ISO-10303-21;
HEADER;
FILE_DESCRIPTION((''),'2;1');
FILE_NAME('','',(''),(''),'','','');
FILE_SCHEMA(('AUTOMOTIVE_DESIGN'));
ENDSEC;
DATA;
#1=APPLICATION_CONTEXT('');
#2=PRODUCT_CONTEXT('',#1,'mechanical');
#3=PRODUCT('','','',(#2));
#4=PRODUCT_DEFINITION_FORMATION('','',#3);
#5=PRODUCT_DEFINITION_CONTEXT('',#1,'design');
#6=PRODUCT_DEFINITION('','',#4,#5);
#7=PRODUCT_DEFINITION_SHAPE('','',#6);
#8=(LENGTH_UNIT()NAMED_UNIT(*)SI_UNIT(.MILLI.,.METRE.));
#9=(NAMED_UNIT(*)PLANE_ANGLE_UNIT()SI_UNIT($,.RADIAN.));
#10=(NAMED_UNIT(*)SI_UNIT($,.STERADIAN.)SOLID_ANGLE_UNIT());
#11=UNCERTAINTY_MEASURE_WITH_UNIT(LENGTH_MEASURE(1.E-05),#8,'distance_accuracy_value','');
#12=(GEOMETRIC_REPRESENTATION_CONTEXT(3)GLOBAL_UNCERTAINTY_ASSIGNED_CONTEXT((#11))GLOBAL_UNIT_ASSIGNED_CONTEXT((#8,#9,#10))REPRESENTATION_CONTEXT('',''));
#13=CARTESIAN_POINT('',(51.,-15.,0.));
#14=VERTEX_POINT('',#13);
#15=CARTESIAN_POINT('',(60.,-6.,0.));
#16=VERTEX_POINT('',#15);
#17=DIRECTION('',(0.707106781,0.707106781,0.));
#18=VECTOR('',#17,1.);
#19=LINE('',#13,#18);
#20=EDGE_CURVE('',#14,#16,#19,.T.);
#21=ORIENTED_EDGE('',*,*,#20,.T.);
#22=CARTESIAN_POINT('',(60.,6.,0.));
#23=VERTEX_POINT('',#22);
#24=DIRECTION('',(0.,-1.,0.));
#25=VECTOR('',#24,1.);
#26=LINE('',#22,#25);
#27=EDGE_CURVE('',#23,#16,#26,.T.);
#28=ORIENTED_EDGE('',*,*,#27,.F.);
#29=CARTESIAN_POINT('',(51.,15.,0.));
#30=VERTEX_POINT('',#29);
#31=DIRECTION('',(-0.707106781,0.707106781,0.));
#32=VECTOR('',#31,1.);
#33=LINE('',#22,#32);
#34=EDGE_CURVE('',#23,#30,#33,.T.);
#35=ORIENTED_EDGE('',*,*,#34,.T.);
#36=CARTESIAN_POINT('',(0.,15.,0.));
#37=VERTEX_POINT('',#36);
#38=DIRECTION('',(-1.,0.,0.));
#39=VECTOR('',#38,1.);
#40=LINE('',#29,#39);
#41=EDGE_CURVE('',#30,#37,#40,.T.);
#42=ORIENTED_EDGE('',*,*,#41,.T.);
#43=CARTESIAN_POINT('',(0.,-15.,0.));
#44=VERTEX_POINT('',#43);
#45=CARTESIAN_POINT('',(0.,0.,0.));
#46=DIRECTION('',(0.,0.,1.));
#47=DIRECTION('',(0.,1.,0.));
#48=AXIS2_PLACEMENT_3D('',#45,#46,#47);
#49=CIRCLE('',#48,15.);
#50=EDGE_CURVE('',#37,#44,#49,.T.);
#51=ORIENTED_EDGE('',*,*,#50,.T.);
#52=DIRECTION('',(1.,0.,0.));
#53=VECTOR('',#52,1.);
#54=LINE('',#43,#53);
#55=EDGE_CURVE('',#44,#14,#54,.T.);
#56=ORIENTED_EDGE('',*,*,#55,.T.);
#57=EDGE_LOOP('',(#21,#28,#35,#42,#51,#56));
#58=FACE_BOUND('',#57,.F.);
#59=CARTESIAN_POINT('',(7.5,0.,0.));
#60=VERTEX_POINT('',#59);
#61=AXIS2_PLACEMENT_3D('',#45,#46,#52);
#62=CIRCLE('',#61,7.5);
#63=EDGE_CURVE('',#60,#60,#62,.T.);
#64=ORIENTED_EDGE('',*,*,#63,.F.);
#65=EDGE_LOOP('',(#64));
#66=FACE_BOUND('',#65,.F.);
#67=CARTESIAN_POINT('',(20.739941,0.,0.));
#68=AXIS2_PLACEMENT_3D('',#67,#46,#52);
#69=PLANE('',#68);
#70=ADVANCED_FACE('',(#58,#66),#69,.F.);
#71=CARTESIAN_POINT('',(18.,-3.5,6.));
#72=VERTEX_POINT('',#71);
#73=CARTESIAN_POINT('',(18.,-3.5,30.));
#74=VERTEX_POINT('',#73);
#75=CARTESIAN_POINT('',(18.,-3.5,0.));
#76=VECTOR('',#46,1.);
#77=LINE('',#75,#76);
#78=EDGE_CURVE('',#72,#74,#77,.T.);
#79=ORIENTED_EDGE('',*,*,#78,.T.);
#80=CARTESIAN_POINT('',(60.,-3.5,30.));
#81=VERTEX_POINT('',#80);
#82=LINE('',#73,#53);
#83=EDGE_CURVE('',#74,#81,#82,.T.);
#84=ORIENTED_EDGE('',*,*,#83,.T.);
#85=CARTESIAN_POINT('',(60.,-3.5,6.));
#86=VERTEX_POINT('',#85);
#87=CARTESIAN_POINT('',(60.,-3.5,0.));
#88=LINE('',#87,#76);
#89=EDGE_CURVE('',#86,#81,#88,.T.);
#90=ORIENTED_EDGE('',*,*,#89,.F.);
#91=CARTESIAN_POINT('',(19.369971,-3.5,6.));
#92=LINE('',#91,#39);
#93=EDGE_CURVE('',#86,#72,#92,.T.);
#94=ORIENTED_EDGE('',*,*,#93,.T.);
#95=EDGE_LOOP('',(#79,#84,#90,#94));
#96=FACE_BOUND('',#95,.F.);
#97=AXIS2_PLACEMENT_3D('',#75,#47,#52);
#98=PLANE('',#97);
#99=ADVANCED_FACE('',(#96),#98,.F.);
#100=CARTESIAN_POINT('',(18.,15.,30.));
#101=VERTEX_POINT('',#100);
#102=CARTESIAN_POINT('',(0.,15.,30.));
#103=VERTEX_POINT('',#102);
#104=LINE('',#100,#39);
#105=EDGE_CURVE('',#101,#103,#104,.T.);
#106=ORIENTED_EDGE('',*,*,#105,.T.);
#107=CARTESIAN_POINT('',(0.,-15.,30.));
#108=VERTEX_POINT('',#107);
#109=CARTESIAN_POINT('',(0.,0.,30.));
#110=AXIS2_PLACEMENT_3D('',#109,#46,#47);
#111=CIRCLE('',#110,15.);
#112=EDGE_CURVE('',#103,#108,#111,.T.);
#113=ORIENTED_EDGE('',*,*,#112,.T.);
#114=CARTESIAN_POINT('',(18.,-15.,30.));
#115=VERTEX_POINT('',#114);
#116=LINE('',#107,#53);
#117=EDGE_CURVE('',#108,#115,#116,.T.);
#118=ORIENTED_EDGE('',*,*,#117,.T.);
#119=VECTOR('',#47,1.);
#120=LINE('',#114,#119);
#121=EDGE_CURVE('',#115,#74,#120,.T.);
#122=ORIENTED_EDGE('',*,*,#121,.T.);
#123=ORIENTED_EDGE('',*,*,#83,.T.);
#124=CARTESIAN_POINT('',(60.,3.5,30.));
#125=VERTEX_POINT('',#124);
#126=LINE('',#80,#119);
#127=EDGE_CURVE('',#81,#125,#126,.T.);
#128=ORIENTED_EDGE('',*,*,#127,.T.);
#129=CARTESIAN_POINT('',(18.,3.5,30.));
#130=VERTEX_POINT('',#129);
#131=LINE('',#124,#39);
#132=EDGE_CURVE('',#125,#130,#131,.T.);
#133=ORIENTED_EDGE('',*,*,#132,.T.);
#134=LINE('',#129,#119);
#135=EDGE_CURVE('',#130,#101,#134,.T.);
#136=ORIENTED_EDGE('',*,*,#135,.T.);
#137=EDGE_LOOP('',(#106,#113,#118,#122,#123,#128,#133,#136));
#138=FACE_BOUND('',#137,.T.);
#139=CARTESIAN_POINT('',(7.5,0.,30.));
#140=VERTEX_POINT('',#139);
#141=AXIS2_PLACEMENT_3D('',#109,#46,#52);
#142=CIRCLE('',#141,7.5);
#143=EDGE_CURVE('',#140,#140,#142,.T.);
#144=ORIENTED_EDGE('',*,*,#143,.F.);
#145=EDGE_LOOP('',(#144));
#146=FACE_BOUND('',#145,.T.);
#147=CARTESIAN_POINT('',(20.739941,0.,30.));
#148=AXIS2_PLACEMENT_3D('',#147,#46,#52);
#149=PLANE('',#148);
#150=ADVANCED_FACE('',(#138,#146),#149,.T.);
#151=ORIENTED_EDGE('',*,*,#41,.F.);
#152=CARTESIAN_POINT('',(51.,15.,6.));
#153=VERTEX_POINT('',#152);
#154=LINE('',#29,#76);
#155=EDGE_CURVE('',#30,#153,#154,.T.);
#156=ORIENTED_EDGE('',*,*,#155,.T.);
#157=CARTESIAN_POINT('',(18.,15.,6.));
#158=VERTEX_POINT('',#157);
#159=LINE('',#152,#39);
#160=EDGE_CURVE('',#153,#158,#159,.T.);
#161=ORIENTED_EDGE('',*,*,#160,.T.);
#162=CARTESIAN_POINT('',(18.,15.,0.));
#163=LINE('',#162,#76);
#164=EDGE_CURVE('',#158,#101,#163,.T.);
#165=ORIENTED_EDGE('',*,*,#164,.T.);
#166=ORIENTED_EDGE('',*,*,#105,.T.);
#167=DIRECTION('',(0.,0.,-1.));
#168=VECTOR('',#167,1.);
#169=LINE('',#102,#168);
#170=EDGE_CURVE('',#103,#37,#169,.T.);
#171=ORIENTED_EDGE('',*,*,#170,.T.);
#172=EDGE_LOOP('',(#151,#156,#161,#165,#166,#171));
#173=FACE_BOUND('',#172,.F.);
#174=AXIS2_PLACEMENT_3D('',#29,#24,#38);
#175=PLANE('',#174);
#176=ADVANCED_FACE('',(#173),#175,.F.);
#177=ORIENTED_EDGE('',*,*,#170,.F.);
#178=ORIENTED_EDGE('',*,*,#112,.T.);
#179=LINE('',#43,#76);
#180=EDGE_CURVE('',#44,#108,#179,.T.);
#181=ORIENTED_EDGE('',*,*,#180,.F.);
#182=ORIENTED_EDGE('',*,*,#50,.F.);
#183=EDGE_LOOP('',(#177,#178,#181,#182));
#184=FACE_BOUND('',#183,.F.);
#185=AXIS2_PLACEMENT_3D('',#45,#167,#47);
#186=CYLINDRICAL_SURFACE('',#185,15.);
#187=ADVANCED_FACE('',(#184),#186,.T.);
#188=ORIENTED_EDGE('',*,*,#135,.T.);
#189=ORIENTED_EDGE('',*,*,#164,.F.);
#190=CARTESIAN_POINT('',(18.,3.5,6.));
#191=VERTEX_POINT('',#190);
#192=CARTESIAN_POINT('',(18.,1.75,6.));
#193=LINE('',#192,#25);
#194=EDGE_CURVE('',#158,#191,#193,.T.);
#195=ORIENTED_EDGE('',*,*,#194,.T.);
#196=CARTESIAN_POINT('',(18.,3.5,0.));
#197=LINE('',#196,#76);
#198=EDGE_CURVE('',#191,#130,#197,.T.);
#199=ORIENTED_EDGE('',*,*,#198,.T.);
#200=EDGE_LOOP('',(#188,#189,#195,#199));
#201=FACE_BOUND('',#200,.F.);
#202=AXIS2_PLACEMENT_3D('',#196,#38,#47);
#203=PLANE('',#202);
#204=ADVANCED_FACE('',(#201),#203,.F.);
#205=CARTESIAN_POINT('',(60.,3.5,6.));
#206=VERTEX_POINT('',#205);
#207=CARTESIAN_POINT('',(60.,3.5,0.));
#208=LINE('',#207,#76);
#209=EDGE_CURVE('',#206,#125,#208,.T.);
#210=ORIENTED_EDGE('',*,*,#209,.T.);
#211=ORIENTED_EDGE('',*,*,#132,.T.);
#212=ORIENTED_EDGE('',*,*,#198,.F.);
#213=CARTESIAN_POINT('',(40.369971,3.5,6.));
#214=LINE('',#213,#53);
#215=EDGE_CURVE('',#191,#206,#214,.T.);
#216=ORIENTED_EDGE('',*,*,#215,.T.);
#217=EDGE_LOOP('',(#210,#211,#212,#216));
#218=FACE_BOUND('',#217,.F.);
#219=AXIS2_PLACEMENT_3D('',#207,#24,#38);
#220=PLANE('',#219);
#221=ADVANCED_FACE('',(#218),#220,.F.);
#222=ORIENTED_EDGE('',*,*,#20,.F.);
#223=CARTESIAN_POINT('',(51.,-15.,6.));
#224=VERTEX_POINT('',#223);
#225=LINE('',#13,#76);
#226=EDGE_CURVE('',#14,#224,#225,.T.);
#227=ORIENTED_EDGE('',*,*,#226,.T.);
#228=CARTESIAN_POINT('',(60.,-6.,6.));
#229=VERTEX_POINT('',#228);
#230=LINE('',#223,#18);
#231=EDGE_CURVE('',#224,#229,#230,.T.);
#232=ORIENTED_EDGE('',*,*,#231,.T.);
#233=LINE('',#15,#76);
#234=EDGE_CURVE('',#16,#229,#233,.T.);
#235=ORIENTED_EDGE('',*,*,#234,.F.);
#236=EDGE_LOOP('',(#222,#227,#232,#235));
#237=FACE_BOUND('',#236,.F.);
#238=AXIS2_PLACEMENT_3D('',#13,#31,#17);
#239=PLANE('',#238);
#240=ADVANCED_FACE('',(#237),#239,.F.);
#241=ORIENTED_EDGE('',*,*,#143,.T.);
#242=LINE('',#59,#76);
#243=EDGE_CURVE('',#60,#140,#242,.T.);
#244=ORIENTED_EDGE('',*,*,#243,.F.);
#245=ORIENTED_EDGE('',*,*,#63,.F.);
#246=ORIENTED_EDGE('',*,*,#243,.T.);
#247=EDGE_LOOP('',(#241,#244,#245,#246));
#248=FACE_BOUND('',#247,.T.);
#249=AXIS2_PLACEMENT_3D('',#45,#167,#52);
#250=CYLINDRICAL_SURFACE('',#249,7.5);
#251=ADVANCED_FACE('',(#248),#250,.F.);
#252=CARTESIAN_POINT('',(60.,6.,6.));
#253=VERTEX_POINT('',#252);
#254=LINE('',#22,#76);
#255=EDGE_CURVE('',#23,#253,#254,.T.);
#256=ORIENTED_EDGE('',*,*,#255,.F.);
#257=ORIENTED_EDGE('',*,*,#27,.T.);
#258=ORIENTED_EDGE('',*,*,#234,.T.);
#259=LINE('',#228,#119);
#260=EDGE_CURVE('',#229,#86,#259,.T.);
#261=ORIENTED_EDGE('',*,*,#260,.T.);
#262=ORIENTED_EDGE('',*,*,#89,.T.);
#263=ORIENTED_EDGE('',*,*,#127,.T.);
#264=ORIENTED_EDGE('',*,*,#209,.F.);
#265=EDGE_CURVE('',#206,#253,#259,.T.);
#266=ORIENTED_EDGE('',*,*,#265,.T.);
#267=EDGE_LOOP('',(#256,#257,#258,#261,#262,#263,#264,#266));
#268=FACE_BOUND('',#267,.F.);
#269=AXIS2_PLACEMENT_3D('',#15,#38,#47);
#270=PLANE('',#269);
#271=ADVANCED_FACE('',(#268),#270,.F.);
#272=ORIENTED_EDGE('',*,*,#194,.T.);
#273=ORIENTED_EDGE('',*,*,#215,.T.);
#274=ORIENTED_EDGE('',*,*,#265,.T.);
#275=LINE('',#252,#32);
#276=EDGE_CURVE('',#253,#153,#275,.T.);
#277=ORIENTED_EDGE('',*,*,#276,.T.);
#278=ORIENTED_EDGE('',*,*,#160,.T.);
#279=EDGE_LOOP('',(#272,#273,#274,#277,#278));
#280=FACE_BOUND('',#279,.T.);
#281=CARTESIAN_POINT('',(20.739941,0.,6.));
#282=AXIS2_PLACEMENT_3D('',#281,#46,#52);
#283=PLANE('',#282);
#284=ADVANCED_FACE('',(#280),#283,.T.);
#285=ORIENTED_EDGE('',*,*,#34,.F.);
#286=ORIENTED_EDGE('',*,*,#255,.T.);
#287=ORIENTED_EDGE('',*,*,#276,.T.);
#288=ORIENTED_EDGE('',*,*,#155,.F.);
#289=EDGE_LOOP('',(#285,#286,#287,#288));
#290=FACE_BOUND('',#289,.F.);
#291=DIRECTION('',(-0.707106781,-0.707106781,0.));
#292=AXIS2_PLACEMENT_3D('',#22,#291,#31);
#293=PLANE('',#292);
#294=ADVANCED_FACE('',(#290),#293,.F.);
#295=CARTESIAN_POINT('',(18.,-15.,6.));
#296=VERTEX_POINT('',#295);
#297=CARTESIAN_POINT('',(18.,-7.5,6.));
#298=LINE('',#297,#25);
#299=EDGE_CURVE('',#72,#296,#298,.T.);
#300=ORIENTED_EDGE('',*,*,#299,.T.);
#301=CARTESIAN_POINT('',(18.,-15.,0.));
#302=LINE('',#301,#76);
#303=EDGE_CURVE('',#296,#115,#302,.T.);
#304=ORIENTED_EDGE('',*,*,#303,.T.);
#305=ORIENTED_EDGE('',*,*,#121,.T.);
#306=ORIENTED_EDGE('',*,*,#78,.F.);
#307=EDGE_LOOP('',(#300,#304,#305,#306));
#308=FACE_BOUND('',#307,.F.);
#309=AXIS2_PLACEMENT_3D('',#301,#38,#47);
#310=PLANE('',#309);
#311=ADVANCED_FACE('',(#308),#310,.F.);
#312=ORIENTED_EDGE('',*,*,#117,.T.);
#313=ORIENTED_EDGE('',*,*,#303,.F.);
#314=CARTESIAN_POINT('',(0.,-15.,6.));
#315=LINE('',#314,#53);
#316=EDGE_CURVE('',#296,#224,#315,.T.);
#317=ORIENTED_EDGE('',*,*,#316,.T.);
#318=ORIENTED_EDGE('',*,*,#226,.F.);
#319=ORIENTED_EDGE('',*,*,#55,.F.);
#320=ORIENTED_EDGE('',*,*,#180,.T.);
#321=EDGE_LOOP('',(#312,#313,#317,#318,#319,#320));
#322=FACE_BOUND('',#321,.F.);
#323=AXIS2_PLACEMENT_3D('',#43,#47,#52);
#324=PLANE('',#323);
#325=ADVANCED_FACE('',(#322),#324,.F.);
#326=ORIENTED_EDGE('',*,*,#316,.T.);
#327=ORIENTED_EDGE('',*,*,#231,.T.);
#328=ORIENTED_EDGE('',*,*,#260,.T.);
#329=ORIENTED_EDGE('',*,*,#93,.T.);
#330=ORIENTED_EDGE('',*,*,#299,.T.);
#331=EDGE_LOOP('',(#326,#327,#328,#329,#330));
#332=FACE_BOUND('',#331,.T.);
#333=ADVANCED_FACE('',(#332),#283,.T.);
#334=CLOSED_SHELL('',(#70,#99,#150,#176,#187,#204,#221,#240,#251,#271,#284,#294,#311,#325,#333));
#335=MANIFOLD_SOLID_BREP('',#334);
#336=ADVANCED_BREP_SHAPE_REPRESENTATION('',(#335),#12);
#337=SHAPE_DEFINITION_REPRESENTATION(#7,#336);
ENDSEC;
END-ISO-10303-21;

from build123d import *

# Parameters (mm, degrees)
F0_R     = 7.5
F1_DEPTH = 6
F2_DEPTH = 30


with BuildPart() as f1:
    # F0 (on Top) → F1 (new body)
    with BuildSketch(Plane.XY):
        with BuildLine():
            Line((18, 15), (0, 15))
            ThreePointArc((0, 15), (-15, 0), (0, -15))
            Line((0, -15), (18, -15))
            Line((18, -15), (18, -3.5))
            Line((18, -3.5), (60, -3.5))
            Line((60, -3.5), (60, 0))
            Line((60, 0), (60, 3.5))
            Line((60, 3.5), (18, 3.5))
            Line((18, 3.5), (18, 15))
        make_face()
        Circle(F0_R, mode=Mode.SUBTRACT)
        Polygon((51, 15), (18, 15), (18, 3.5), (60, 3.5), (60, 6), align=None)
        Polygon((18, -3.5), (18, -15), (51, -15), (60, -6), (60, -3.5), align=None)
    extrude(amount=F1_DEPTH)

    # F0 (on Top) → F2 (join)
    with BuildSketch(Plane.XY):
        with BuildLine():
            Line((18, 15), (0, 15))
            ThreePointArc((0, 15), (-15, 0), (0, -15))
            Line((0, -15), (18, -15))
            Line((18, -15), (18, -3.5))
            Line((18, -3.5), (60, -3.5))
            Line((60, -3.5), (60, 0))
            Line((60, 0), (60, 3.5))
            Line((60, 3.5), (18, 3.5))
            Line((18, 3.5), (18, 15))
        make_face()
        Circle(F0_R, mode=Mode.SUBTRACT)
    extrude(amount=F2_DEPTH)


solid = f1.part
